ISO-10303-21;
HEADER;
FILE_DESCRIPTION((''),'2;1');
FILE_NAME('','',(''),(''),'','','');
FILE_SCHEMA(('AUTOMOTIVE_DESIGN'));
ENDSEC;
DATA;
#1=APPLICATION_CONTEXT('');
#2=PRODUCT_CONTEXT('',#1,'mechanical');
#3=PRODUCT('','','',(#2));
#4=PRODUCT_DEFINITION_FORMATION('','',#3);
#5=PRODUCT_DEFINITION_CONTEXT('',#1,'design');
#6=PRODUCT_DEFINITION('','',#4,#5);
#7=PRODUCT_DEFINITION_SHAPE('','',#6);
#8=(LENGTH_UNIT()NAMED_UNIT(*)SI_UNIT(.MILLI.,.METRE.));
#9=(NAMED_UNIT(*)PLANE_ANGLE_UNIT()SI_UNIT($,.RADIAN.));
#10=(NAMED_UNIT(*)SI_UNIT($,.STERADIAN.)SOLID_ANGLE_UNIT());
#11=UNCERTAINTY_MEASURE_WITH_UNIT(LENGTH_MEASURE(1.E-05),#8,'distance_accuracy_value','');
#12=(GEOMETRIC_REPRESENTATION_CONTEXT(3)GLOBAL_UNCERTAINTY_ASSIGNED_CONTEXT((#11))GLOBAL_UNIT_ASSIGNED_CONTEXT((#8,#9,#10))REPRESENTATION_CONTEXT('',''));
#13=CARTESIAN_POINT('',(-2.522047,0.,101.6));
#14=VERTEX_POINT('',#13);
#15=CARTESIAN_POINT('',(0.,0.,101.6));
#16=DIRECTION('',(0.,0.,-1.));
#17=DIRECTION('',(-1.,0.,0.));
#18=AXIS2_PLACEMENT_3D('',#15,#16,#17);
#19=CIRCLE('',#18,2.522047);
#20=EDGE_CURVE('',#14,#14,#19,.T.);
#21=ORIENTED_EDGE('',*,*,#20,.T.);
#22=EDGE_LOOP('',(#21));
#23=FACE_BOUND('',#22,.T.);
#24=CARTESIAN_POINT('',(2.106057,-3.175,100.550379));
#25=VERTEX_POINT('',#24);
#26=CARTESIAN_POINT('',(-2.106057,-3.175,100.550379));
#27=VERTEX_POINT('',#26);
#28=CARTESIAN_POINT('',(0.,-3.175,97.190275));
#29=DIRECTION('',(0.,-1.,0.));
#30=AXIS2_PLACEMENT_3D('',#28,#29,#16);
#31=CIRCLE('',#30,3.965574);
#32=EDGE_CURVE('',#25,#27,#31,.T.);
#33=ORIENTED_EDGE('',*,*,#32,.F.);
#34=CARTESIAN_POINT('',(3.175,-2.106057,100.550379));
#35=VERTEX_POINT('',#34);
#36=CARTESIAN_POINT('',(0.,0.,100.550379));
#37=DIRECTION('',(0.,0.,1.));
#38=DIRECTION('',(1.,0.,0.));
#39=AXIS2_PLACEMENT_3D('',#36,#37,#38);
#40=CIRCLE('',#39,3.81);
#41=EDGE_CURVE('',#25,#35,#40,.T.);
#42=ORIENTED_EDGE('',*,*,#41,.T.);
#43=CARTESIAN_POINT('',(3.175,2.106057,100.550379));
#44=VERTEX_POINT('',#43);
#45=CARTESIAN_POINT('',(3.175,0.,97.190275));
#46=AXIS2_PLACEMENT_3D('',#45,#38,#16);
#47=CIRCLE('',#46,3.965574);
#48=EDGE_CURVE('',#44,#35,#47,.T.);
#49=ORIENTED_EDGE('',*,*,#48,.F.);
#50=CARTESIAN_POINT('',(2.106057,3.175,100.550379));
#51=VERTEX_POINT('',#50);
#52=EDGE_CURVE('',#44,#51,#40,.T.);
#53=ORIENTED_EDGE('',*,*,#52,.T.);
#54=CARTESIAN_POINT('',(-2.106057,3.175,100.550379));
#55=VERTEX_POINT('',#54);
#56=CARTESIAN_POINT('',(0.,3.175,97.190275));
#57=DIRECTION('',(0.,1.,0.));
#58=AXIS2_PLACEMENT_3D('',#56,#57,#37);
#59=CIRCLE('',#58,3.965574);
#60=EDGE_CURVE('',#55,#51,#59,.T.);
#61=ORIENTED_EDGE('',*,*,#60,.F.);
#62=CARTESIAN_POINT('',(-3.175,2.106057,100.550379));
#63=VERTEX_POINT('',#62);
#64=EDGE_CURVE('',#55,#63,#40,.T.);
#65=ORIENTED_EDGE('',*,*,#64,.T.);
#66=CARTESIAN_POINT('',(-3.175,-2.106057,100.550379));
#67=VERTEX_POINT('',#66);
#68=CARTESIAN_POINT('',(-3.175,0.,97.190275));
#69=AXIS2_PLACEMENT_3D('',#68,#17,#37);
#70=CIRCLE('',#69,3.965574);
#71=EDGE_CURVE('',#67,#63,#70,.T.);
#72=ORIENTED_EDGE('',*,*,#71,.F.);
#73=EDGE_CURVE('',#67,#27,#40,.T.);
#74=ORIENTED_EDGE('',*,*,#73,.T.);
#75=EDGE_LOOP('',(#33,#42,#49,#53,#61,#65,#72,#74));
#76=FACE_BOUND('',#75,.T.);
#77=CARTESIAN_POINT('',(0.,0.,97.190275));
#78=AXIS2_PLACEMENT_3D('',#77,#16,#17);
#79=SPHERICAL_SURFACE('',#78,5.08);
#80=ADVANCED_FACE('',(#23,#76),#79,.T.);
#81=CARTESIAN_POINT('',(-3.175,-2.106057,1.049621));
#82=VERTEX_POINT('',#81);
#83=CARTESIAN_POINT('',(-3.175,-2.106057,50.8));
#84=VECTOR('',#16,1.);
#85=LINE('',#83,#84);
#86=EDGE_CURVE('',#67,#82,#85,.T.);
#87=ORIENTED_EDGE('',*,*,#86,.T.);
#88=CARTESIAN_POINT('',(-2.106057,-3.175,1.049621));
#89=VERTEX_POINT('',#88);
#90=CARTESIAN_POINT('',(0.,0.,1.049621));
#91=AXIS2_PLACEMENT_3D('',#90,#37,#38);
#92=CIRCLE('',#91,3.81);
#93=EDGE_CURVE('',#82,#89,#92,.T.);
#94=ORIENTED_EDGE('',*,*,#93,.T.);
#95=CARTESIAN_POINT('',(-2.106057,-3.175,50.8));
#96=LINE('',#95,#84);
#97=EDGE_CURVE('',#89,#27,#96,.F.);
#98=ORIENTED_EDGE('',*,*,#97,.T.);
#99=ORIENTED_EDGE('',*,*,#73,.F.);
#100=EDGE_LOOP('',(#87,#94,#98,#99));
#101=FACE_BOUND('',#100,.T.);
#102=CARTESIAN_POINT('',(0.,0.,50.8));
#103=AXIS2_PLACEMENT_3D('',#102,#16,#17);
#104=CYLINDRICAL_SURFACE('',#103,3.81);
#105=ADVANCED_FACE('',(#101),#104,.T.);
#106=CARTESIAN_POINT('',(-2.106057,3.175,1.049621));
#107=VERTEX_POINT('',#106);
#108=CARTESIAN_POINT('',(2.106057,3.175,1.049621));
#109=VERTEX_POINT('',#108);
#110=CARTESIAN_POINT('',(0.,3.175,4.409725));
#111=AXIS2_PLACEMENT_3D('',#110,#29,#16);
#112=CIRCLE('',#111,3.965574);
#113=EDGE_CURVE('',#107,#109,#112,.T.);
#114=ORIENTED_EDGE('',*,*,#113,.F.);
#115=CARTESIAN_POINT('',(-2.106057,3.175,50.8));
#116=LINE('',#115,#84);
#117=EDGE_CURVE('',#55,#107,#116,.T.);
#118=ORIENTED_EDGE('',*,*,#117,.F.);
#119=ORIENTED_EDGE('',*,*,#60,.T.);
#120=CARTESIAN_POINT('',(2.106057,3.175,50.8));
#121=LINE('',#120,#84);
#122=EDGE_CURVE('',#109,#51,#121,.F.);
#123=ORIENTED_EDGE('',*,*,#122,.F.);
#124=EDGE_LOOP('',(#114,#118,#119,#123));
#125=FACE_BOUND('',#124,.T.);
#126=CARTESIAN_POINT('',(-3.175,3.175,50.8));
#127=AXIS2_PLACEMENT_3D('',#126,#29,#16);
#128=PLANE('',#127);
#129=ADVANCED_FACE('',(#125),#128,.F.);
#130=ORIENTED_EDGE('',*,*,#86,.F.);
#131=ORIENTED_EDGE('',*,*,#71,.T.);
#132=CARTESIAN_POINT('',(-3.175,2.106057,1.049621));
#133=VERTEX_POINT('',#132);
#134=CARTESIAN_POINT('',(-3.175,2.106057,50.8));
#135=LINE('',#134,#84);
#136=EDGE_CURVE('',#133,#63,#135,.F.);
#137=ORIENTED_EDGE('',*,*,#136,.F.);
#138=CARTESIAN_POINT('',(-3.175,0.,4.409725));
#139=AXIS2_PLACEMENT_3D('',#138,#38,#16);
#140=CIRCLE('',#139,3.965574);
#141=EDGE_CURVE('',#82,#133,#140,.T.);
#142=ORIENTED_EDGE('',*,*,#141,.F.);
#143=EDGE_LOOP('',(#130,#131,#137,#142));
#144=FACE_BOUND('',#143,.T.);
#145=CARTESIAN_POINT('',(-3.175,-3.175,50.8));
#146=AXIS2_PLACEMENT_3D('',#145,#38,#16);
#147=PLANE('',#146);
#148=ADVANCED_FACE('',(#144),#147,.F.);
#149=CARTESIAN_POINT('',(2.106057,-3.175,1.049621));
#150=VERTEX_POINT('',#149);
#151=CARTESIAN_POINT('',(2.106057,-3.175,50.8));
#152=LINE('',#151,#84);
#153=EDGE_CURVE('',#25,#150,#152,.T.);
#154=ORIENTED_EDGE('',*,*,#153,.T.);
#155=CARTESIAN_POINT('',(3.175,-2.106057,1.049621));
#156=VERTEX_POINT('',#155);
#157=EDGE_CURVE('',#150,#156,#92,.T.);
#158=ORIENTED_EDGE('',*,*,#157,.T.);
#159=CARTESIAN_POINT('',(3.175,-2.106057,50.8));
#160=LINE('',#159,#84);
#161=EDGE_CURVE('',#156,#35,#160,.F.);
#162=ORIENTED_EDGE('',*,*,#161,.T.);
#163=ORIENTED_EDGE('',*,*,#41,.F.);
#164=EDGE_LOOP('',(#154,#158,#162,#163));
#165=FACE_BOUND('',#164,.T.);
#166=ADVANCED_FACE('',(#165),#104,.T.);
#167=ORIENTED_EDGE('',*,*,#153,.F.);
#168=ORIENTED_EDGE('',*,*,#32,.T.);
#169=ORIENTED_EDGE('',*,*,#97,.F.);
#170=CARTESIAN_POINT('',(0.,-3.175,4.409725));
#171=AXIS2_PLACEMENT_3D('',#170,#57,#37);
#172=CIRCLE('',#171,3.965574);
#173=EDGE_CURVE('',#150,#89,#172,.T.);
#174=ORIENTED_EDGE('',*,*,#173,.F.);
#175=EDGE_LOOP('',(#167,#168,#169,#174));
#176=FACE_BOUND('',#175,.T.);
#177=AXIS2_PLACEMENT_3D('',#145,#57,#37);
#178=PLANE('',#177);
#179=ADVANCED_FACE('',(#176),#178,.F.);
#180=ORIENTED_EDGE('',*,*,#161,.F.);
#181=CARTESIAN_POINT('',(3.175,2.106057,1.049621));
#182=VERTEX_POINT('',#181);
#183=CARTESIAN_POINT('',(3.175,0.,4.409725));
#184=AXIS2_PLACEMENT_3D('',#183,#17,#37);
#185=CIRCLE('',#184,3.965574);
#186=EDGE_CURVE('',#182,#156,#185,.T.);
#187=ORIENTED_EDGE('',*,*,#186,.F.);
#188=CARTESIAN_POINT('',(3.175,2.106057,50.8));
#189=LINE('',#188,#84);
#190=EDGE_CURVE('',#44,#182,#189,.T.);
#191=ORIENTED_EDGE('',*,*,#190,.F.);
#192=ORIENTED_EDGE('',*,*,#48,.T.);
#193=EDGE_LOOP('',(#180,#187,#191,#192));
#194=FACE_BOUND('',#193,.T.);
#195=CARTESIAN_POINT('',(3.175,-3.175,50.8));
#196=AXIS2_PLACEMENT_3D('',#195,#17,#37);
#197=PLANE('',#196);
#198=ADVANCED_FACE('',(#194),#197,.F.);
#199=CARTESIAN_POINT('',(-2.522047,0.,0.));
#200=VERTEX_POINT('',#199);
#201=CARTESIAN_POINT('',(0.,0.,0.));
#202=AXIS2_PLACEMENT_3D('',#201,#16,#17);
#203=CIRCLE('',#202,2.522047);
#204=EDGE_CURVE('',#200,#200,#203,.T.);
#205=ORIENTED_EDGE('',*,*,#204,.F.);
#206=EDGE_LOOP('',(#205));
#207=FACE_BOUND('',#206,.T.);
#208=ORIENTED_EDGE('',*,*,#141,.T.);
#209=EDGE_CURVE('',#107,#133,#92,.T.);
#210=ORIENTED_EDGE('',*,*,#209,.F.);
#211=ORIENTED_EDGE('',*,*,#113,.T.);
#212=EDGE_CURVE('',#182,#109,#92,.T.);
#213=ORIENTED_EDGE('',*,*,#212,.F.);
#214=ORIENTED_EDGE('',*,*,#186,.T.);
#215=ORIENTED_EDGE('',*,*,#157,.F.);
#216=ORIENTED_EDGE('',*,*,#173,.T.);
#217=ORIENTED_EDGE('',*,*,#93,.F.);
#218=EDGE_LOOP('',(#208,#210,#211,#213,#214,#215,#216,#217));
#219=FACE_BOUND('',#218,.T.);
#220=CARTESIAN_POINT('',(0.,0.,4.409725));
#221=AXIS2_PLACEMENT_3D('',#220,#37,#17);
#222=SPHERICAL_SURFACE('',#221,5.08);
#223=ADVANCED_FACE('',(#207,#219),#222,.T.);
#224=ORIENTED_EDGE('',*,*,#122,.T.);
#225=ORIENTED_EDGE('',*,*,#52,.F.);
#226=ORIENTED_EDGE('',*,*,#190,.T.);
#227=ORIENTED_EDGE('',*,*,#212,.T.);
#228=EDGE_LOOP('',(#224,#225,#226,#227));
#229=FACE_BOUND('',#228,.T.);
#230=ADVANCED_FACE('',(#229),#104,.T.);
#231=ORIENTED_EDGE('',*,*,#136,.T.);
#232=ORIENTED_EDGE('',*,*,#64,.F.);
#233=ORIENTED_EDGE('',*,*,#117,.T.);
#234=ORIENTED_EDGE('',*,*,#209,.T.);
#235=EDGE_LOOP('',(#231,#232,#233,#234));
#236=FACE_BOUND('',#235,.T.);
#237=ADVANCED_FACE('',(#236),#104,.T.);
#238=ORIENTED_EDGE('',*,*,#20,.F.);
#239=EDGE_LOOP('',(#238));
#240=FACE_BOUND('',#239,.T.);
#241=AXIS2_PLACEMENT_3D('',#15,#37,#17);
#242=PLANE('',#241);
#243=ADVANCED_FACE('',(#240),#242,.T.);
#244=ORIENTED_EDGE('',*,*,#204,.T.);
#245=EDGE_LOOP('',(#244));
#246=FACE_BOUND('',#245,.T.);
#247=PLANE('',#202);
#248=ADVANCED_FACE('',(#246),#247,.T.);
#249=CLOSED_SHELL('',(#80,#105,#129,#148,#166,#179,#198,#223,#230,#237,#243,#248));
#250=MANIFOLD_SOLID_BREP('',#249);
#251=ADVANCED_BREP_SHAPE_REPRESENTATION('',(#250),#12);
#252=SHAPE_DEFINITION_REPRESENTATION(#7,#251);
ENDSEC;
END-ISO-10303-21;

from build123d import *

# Parameters (mm, degrees)
SKETCH1_W           = 6.35
SKETCH1_H           = 6.35
BOSS_EXTRUDE1_DEPTH = 50.8
SKETCH2_OUTSIDE_W   = 18.668
SKETCH2_OUTSIDE_H   = 18.668
SKETCH2_OUTSIDE_R   = 3.81
CUT_EXTRUDE1_DEPTH  = 51.8


with BuildPart() as part:
    # Sketch1 → Boss-Extrude1 (new body)
    with BuildSketch(Plane.XY):
        Rectangle(SKETCH1_W, SKETCH1_H)
    extrude(amount=BOSS_EXTRUDE1_DEPTH)

    # Sketch2 outside → Cut-Extrude1 (cut, through all)
    with BuildSketch(Plane(origin=(0, 0, 0), x_dir=(-1, 0, 0), z_dir=(0, 0, -1))):
        Rectangle(SKETCH2_OUTSIDE_W, SKETCH2_OUTSIDE_H)
        Circle(SKETCH2_OUTSIDE_R, mode=Mode.SUBTRACT)
    extrude(amount=-CUT_EXTRUDE1_DEPTH, mode=Mode.SUBTRACT)

    # Sketch3 → Cut-Revolve1 (revolve, cut)
    with BuildSketch(Plane(origin=(0, 0, 0), x_dir=(1, 0, 0), z_dir=(0, 1, 0))):
        with BuildLine():
            Line((-5.053685963, -3.893335876), (-5.053685963, 5.740530545))
            Line((-5.053685963, 5.740530545), (0, 5.740530545))
            Line((0, 5.740530545), (0, 0.670274551))
            ThreePointArc((0, 0.670274551), (-3.404639553, -0.639469554), (-5.053685963, -3.893335876))
        make_face()
    revolve(axis=Axis((0, 0, 50.8), (0, 0, -1)), mode=Mode.SUBTRACT)

    # Mirror1: part across plane


with BuildPart() as part_1:
    add(part.part)
    add(part.part.mirror(Plane(origin=(0, 0, 50.8), x_dir=(1, 0, 0), z_dir=(0, 0, -1))))


solid = part_1.part
